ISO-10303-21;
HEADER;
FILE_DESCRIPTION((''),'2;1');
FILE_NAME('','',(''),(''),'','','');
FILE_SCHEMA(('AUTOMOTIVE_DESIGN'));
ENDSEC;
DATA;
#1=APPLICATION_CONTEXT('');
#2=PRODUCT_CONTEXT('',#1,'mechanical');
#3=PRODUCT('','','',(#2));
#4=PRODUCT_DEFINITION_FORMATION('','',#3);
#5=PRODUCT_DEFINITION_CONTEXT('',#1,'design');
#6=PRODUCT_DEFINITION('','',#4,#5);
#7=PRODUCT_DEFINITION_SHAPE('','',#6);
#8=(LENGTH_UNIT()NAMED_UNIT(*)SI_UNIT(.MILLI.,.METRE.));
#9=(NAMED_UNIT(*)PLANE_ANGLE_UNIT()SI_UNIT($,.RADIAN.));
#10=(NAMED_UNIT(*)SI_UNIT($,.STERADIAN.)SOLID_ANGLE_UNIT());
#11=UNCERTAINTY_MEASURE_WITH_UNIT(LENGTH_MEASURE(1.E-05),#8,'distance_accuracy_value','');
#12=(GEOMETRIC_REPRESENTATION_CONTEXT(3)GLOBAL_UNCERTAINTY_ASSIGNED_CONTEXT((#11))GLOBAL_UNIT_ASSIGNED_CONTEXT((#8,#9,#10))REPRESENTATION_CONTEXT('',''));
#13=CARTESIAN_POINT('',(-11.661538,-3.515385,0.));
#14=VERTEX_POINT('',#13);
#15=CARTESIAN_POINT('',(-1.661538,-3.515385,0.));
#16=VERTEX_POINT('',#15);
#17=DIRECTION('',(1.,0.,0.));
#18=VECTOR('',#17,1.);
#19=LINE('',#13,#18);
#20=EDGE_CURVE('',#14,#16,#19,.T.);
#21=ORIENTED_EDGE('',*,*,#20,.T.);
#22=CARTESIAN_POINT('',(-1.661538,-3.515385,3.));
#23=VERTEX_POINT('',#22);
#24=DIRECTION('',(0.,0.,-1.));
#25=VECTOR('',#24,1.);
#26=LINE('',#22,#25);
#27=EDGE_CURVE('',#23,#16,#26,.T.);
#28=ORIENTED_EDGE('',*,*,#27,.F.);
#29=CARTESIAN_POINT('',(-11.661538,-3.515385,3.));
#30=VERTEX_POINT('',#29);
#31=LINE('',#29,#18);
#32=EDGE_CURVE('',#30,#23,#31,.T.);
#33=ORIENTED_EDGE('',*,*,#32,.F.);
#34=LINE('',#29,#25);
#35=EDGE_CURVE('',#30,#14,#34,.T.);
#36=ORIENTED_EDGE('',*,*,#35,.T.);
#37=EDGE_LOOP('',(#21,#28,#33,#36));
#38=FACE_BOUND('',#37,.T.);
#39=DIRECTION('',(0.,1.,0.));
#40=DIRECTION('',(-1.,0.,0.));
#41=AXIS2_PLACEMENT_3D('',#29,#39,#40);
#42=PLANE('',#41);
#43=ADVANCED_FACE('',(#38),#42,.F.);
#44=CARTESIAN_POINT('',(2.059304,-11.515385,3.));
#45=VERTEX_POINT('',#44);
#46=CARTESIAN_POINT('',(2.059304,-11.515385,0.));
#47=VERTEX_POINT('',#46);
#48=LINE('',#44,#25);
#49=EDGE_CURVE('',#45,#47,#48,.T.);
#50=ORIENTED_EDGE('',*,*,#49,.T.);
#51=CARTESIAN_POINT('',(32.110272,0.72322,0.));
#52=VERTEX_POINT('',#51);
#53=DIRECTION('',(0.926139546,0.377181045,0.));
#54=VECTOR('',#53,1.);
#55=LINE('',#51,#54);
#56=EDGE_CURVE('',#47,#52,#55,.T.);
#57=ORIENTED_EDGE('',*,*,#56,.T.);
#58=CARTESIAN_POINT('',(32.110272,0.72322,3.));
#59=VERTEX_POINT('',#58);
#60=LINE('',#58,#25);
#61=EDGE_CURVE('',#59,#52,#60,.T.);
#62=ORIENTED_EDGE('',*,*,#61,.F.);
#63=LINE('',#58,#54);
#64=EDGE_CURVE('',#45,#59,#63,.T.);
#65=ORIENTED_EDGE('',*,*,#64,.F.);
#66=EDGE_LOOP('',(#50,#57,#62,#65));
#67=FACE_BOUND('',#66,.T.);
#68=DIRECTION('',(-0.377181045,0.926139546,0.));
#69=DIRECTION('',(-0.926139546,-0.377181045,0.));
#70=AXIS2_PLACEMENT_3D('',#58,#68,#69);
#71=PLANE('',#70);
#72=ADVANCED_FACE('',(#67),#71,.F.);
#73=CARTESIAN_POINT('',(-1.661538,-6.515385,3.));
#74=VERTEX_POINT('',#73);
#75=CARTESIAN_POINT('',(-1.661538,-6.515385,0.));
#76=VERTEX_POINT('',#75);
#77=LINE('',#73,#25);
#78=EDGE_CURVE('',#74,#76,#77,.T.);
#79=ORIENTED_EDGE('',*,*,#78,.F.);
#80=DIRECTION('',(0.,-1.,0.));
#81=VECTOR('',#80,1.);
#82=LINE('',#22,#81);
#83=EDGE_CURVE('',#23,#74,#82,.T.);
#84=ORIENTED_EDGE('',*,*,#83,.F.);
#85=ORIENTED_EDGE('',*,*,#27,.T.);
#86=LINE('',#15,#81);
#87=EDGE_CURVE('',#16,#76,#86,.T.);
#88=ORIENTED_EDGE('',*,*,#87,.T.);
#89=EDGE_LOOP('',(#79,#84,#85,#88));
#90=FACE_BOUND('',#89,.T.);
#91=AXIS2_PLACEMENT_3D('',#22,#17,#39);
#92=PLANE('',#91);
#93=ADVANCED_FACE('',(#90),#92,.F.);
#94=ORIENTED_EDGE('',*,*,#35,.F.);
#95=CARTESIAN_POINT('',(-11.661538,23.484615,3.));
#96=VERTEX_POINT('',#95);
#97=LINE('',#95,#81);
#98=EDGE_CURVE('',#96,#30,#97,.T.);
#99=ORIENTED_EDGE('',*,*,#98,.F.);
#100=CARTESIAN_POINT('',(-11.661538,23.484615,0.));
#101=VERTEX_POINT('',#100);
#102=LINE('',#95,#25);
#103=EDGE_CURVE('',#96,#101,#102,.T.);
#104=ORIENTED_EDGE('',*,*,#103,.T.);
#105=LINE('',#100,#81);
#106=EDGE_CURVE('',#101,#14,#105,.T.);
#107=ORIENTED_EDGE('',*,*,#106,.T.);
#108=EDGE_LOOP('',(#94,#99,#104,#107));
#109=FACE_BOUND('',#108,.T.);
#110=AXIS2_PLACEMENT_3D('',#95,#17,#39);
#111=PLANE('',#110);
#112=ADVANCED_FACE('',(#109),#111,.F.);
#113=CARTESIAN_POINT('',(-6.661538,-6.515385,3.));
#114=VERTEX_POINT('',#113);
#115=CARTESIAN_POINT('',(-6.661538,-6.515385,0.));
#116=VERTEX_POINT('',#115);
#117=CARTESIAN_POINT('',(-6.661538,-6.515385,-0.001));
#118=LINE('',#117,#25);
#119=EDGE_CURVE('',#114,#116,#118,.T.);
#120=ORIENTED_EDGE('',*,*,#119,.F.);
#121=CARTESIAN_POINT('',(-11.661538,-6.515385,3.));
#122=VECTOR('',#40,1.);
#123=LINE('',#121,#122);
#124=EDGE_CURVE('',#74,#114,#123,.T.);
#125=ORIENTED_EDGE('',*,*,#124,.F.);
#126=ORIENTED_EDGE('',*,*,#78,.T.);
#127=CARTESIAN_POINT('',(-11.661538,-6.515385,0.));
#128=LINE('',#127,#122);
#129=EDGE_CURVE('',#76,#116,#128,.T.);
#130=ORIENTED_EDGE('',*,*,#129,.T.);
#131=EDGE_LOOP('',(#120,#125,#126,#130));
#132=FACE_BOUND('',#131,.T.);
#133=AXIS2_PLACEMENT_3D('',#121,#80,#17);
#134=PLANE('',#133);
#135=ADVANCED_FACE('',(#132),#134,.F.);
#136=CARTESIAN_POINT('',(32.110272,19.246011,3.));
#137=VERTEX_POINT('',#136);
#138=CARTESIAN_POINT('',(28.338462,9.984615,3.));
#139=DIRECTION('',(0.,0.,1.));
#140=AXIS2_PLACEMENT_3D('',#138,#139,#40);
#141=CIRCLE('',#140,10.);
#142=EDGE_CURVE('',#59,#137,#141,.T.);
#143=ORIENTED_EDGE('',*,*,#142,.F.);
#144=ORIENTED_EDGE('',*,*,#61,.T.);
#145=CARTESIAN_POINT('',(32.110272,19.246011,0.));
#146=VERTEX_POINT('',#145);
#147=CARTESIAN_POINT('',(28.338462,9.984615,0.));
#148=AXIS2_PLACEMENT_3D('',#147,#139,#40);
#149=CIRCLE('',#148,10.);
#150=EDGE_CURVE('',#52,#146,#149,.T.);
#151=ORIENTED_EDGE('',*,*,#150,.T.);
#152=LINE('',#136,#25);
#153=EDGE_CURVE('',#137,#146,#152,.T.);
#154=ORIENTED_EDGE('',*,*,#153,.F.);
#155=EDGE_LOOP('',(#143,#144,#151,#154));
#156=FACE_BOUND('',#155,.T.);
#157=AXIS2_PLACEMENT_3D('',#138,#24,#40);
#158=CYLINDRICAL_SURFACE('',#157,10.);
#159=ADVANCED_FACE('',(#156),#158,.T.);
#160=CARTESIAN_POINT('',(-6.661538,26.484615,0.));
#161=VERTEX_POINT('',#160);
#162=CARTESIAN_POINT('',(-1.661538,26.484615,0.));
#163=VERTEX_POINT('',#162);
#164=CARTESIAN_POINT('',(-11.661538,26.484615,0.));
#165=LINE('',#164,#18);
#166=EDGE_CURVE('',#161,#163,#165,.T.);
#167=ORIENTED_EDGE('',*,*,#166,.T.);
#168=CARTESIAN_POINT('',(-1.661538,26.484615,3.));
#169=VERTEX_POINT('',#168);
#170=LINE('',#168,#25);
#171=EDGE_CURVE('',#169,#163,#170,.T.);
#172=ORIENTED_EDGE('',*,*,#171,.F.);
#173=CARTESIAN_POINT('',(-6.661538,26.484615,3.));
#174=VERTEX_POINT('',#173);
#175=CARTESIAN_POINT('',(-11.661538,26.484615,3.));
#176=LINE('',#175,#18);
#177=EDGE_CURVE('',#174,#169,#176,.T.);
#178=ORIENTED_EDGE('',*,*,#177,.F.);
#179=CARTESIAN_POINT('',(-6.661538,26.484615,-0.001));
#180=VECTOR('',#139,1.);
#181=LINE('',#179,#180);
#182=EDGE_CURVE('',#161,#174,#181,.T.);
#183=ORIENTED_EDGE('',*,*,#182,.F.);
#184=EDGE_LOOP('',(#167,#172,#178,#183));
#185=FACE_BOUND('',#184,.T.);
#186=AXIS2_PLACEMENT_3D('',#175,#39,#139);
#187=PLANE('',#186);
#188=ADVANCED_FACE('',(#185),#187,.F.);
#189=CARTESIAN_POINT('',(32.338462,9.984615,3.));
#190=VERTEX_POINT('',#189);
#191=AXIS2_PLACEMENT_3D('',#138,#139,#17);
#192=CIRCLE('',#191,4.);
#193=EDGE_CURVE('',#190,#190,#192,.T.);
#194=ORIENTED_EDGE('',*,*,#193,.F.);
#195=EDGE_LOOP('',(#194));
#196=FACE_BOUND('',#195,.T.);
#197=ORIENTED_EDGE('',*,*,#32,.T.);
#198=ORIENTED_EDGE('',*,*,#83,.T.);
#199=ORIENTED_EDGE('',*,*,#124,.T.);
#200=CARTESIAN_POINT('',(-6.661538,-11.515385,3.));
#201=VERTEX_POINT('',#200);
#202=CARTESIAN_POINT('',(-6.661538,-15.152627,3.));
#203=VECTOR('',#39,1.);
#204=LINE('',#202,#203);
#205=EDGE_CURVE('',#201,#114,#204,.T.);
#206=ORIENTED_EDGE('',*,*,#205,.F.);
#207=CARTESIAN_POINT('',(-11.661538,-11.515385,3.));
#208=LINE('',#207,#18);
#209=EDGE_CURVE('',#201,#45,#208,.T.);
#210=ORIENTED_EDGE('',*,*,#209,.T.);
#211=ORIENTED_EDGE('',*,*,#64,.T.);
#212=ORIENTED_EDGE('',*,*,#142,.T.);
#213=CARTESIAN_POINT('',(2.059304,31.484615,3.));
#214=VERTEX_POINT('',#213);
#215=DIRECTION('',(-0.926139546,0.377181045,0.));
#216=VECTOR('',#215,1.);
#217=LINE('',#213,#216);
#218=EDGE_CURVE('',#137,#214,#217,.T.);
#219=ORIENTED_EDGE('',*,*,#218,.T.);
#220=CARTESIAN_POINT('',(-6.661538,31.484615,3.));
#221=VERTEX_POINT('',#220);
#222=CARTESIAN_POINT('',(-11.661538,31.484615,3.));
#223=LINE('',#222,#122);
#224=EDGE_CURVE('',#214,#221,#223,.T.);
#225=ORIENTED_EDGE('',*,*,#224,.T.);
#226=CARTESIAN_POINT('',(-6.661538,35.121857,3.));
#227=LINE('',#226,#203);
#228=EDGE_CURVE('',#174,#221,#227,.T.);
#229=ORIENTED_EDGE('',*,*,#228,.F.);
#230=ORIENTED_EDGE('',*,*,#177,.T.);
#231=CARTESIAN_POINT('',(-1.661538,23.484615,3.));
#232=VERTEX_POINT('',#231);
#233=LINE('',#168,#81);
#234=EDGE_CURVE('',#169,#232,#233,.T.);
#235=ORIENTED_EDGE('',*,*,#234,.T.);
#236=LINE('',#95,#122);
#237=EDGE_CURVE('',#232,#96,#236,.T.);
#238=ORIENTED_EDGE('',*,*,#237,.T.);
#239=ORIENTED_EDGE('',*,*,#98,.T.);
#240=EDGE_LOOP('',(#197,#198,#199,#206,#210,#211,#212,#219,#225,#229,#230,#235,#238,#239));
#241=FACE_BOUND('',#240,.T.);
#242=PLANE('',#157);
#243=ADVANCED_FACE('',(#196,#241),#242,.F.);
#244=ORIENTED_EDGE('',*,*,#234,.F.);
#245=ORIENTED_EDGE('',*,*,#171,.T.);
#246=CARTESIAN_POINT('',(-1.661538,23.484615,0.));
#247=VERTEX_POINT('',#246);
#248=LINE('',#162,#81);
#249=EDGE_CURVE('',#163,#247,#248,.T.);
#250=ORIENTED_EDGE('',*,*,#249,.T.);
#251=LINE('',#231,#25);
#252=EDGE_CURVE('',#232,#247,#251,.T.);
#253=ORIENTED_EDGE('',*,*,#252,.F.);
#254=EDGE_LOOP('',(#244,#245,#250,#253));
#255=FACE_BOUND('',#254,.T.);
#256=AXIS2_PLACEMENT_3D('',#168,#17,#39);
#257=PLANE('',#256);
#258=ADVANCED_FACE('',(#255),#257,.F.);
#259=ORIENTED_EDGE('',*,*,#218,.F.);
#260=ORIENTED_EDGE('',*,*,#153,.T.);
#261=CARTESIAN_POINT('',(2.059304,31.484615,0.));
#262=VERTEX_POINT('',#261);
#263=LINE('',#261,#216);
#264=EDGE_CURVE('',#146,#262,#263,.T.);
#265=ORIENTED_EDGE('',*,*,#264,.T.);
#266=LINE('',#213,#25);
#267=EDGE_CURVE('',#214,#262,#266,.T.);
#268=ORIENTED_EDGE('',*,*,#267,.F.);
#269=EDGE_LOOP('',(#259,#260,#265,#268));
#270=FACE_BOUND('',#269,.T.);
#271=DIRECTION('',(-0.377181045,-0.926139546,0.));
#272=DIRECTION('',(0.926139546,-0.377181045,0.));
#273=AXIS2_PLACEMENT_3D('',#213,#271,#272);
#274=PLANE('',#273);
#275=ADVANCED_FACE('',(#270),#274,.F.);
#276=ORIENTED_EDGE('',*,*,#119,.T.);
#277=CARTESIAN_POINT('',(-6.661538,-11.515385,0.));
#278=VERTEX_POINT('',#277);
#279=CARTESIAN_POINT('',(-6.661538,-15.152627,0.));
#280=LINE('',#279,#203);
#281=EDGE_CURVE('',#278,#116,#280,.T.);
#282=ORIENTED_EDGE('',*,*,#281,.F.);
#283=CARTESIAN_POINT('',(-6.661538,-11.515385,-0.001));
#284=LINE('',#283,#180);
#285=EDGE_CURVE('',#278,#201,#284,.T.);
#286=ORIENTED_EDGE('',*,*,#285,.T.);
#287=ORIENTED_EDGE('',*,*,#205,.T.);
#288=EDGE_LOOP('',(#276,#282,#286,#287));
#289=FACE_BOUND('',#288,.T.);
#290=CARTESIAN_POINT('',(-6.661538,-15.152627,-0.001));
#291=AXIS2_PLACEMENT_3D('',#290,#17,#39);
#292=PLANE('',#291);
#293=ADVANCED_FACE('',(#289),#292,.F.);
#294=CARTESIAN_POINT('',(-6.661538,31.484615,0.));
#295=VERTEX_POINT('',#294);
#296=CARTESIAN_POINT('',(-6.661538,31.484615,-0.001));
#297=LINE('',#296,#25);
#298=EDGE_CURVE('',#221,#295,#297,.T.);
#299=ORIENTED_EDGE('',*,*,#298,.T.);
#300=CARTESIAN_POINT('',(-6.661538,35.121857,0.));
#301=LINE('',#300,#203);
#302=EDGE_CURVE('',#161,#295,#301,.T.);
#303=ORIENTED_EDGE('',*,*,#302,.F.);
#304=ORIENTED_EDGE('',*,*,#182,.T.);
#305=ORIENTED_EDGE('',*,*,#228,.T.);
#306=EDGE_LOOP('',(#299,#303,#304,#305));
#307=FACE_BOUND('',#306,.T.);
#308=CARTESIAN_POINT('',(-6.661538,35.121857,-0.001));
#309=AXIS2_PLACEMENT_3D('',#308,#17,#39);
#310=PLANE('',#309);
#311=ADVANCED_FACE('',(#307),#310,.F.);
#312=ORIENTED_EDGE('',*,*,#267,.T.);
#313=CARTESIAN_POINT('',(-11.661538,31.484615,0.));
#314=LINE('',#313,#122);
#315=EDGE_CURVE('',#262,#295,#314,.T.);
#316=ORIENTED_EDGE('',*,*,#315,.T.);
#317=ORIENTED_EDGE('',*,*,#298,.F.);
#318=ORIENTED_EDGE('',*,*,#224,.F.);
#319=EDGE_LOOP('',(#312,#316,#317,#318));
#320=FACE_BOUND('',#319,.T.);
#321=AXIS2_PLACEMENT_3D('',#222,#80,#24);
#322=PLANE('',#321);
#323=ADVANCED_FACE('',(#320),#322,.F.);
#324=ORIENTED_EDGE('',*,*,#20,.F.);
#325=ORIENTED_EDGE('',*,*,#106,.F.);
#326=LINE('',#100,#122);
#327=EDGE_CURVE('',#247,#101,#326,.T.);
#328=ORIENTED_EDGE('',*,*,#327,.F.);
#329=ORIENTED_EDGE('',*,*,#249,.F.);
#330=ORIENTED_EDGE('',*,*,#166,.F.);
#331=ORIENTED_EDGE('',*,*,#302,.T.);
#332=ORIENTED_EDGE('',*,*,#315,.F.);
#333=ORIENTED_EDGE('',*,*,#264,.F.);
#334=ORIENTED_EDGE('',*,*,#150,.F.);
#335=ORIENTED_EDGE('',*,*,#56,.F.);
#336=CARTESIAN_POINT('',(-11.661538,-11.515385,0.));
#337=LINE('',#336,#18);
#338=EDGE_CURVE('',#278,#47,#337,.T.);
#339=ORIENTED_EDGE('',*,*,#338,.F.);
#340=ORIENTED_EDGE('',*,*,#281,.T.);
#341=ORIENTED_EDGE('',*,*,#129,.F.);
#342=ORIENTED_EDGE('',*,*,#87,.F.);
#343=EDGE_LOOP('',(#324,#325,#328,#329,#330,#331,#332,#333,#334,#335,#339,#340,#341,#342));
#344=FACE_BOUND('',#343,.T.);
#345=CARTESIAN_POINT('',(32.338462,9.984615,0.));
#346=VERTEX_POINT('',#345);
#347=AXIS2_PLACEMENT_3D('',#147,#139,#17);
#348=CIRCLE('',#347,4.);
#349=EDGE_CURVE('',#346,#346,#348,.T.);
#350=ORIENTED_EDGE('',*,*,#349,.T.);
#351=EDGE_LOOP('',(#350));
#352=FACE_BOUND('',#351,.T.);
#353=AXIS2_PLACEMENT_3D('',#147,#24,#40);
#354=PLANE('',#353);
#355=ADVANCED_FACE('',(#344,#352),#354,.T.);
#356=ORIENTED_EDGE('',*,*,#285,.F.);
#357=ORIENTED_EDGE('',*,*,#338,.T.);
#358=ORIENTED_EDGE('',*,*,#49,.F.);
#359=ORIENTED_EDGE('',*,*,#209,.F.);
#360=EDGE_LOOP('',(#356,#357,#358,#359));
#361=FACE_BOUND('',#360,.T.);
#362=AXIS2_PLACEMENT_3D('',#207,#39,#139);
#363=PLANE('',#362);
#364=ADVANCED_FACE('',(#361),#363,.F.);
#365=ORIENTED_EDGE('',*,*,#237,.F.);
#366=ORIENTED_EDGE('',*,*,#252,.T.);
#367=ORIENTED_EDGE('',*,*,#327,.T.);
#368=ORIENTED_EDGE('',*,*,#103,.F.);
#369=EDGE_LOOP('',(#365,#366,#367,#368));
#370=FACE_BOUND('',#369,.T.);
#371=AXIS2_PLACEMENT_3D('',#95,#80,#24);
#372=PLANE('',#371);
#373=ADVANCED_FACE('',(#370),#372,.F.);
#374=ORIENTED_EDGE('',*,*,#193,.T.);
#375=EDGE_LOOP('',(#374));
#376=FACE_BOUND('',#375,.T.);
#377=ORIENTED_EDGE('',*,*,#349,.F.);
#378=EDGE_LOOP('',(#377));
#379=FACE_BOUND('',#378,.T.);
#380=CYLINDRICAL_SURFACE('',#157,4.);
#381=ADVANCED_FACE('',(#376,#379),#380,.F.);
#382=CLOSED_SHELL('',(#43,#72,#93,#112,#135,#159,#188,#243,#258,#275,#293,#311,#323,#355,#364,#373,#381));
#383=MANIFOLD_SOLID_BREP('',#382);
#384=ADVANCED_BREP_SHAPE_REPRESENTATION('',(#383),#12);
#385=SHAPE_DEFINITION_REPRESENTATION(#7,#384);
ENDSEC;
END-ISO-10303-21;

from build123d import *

# Parameters (mm, degrees)
ESQUISSE1_R             = 4
BOSS_EXTRU_1_DEPTH      = 3
ENL_V_MAT_EXTRU_1_REACH = 51.7
ESQUISSE2_W             = 5.860148805
ESQUISSE2_H             = 10.034501378
ESQUISSE2_H_2           = 10.034501379


with BuildPart() as part:
    # Esquisse1 → Boss.-Extru.1 (new body)
    with BuildSketch(Plane.XY):
        with BuildLine():
            Line((-11.661538462, 23.484615385), (-11.661538462, -3.515384615))
            Line((-11.661538462, -3.515384615), (-1.661538462, -3.515384615))
            Line((-1.661538462, -3.515384615), (-1.661538462, -6.515384615))
            Line((-1.661538462, -6.515384615), (-11.661538462, -6.515384615))
            Line((-11.661538462, -6.515384615), (-11.661538462, -11.515384615))
            Line((-11.661538462, -11.515384615), (2.059303641, -11.515384615))
            Line((2.059303641, -11.515384615), (32.110271991, 0.723219922))
            ThreePointArc((32.110271991, 0.723219922), (38.338461538, 9.984615385), (32.110271991, 19.246010847))
            Line((32.110271991, 19.246010847), (2.059303641, 31.484615385))
            Line((2.059303641, 31.484615385), (-11.661538462, 31.484615385))
            Line((-11.661538462, 31.484615385), (-11.661538462, 26.484615385))
            Line((-11.661538462, 26.484615385), (-1.661538462, 26.484615385))
            Line((-1.661538462, 26.484615385), (-1.661538462, 23.484615385))
            Line((-1.661538462, 23.484615385), (-11.661538462, 23.484615385))
        make_face()
        with Locations((28.338461538, 9.984615385)):
            Circle(ESQUISSE1_R, mode=Mode.SUBTRACT)
    extrude(amount=BOSS_EXTRU_1_DEPTH)

    # Esquisse2 → Enlèv. mat.-Extru.1 (cut, up to next)
    with BuildSketch(Plane.XY.offset(3), mode=Mode.PRIVATE) as enl_v_mat_extru_1_sk1:
        with Locations((-9.591612865, 30.1046068)):
            Rectangle(ESQUISSE2_W, ESQUISSE2_H)
    enl_v_mat_extru_1_tool1 = extrude(enl_v_mat_extru_1_sk1.sketch, amount=-ENL_V_MAT_EXTRU_1_REACH, mode=Mode.PRIVATE) & part.part
    # Esquisse2 → Enlèv. mat.-Extru.1 (cut, up to next)
    with BuildSketch(Plane.XY.offset(3), mode=Mode.PRIVATE) as enl_v_mat_extru_1_sk2:
        with Locations((-9.591612865, -10.135376031)):
            Rectangle(ESQUISSE2_W, ESQUISSE2_H_2)
    enl_v_mat_extru_1_tool2 = extrude(enl_v_mat_extru_1_sk2.sketch, amount=-ENL_V_MAT_EXTRU_1_REACH, mode=Mode.PRIVATE) & part.part
    add(enl_v_mat_extru_1_tool1.solids().sort_by_distance((-9.591613, 30.104607, 3))[0], mode=Mode.SUBTRACT)
    add(enl_v_mat_extru_1_tool2.solids().sort_by_distance((-9.591613, -10.135376, 3))[0], mode=Mode.SUBTRACT)


solid = part.part
